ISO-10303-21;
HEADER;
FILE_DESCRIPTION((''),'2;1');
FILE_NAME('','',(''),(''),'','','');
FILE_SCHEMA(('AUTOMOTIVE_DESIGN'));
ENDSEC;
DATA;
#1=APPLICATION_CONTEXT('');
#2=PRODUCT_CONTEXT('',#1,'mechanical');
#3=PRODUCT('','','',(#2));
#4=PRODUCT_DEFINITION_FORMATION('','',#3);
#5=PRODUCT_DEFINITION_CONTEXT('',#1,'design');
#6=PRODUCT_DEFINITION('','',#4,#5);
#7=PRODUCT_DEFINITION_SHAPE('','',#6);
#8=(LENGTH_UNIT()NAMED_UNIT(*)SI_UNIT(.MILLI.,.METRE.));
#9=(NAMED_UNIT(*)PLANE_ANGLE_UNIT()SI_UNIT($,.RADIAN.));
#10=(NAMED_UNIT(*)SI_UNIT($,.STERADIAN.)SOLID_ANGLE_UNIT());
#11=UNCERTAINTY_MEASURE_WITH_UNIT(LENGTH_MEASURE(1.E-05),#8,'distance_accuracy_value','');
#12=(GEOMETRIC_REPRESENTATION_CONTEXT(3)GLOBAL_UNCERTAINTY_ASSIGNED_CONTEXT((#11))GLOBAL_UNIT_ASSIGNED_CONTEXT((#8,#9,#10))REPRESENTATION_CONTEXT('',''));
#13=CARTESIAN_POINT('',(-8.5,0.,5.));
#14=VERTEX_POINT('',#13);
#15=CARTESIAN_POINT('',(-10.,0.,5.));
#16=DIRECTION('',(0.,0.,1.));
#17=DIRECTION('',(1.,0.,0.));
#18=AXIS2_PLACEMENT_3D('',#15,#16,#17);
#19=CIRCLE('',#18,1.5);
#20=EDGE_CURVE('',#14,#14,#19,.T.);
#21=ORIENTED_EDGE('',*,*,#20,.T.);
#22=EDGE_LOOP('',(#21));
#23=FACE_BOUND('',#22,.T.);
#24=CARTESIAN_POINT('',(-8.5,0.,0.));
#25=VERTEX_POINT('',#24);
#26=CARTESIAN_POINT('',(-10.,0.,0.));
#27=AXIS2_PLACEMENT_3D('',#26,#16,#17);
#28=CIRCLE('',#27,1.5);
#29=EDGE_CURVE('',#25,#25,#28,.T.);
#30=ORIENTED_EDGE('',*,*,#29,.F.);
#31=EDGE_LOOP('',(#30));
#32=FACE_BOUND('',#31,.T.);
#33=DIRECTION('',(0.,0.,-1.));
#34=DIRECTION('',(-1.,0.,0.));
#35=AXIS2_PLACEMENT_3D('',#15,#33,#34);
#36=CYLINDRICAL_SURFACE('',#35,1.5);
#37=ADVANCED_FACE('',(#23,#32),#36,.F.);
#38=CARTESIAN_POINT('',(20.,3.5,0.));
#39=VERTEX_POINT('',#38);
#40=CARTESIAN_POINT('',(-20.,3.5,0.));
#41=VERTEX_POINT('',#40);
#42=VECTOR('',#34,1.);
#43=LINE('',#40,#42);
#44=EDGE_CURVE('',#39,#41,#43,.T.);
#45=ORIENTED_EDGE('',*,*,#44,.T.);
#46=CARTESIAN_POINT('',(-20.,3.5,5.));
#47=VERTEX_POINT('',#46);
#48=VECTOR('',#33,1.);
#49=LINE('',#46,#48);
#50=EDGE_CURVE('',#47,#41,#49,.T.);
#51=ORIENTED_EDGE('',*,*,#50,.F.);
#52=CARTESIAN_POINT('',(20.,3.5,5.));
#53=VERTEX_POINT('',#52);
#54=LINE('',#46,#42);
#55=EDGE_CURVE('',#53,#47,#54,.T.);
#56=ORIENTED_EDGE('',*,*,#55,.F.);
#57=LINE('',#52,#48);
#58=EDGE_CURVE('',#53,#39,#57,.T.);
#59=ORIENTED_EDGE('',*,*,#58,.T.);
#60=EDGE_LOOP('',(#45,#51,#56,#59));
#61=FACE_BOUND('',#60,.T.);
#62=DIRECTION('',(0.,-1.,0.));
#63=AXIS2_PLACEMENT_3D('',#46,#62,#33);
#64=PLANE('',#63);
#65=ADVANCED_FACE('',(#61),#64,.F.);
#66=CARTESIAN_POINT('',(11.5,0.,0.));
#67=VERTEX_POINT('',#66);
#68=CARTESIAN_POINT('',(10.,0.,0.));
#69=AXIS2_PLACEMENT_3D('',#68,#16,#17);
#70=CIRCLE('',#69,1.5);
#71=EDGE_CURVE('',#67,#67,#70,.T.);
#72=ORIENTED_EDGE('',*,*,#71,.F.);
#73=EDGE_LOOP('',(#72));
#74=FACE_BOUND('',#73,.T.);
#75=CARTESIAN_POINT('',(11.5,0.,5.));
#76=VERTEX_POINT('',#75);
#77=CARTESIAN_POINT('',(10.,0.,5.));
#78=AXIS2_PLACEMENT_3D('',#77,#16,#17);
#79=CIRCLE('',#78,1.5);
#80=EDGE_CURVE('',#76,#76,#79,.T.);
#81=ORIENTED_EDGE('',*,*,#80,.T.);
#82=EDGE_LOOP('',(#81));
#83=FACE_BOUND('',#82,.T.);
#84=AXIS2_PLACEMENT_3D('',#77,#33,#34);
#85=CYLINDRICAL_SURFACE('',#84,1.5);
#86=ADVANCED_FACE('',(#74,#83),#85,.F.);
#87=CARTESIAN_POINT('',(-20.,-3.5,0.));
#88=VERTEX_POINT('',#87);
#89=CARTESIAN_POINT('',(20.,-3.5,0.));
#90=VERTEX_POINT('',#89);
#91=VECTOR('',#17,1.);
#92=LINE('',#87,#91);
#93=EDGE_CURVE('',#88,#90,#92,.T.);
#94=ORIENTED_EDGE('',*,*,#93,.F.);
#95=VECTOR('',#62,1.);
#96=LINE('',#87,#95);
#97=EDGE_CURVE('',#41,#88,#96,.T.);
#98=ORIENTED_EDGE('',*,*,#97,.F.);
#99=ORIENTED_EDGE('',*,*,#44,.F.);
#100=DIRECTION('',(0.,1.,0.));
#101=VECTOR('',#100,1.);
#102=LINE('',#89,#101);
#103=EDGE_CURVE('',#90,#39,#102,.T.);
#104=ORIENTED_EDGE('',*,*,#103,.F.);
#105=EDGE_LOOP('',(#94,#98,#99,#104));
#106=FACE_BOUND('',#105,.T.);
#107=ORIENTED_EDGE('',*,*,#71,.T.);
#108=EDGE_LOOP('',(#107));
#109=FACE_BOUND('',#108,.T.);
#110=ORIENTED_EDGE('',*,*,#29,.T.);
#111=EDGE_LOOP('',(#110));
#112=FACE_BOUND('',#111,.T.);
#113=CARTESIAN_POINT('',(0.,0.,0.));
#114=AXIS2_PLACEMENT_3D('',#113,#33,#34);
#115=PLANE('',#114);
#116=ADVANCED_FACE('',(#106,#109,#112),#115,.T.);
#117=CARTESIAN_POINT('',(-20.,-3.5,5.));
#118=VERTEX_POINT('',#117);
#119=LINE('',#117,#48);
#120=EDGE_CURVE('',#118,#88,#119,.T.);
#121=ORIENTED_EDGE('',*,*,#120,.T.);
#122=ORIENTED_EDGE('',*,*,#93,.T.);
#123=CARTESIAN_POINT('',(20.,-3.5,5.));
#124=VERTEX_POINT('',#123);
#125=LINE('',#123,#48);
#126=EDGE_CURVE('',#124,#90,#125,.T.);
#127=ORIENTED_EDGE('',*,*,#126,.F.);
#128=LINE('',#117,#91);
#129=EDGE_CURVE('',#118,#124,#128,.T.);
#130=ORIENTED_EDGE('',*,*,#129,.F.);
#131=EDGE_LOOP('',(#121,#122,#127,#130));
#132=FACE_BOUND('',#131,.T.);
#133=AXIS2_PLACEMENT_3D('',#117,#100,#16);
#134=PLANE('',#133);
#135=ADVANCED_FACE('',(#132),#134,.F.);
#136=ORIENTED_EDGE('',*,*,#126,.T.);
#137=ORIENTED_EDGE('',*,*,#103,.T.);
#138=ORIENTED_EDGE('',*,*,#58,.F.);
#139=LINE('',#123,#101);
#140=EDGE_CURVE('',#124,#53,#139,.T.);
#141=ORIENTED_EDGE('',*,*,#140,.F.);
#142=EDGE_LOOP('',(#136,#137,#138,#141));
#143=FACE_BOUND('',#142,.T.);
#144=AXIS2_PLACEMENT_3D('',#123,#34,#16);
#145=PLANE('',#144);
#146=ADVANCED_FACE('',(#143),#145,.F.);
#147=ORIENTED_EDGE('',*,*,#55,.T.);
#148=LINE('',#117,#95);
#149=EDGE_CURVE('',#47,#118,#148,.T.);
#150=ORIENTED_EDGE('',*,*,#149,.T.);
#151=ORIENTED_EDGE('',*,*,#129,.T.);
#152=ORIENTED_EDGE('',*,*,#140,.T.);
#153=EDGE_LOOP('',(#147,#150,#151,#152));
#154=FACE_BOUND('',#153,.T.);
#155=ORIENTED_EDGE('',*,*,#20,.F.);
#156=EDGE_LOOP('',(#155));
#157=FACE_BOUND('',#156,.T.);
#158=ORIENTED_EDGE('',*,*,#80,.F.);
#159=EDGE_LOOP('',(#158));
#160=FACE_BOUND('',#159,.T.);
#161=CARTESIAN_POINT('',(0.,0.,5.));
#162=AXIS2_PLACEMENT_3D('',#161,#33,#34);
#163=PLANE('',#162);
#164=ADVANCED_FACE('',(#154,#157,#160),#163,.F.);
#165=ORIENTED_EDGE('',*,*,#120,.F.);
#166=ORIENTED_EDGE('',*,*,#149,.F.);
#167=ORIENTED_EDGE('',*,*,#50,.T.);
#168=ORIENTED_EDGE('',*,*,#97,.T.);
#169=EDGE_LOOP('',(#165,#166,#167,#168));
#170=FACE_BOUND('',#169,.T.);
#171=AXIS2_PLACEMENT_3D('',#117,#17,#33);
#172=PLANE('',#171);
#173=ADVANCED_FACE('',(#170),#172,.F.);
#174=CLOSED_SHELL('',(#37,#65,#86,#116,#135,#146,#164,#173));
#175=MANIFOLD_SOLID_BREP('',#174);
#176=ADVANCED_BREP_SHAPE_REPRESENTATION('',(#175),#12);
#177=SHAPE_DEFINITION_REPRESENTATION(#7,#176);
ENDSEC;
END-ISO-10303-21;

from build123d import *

# Parameters (mm, degrees)
SKIZZE1_W                       = 40
SKIZZE1_H                       = 7
SKIZZE1_R                       = 1.5
AUFSATZ_LINEAR_AUSTRAGEN1_DEPTH = 5


with BuildPart() as part:
    # Skizze1 → Aufsatz-Linear austragen1 (new body)
    with BuildSketch(Plane.XY):
        Rectangle(SKIZZE1_W, SKIZZE1_H)
        with Locations((-10, 0)):
            Circle(SKIZZE1_R, mode=Mode.SUBTRACT)
        with Locations((10, 0)):
            Circle(SKIZZE1_R, mode=Mode.SUBTRACT)
    extrude(amount=AUFSATZ_LINEAR_AUSTRAGEN1_DEPTH)


solid = part.part
